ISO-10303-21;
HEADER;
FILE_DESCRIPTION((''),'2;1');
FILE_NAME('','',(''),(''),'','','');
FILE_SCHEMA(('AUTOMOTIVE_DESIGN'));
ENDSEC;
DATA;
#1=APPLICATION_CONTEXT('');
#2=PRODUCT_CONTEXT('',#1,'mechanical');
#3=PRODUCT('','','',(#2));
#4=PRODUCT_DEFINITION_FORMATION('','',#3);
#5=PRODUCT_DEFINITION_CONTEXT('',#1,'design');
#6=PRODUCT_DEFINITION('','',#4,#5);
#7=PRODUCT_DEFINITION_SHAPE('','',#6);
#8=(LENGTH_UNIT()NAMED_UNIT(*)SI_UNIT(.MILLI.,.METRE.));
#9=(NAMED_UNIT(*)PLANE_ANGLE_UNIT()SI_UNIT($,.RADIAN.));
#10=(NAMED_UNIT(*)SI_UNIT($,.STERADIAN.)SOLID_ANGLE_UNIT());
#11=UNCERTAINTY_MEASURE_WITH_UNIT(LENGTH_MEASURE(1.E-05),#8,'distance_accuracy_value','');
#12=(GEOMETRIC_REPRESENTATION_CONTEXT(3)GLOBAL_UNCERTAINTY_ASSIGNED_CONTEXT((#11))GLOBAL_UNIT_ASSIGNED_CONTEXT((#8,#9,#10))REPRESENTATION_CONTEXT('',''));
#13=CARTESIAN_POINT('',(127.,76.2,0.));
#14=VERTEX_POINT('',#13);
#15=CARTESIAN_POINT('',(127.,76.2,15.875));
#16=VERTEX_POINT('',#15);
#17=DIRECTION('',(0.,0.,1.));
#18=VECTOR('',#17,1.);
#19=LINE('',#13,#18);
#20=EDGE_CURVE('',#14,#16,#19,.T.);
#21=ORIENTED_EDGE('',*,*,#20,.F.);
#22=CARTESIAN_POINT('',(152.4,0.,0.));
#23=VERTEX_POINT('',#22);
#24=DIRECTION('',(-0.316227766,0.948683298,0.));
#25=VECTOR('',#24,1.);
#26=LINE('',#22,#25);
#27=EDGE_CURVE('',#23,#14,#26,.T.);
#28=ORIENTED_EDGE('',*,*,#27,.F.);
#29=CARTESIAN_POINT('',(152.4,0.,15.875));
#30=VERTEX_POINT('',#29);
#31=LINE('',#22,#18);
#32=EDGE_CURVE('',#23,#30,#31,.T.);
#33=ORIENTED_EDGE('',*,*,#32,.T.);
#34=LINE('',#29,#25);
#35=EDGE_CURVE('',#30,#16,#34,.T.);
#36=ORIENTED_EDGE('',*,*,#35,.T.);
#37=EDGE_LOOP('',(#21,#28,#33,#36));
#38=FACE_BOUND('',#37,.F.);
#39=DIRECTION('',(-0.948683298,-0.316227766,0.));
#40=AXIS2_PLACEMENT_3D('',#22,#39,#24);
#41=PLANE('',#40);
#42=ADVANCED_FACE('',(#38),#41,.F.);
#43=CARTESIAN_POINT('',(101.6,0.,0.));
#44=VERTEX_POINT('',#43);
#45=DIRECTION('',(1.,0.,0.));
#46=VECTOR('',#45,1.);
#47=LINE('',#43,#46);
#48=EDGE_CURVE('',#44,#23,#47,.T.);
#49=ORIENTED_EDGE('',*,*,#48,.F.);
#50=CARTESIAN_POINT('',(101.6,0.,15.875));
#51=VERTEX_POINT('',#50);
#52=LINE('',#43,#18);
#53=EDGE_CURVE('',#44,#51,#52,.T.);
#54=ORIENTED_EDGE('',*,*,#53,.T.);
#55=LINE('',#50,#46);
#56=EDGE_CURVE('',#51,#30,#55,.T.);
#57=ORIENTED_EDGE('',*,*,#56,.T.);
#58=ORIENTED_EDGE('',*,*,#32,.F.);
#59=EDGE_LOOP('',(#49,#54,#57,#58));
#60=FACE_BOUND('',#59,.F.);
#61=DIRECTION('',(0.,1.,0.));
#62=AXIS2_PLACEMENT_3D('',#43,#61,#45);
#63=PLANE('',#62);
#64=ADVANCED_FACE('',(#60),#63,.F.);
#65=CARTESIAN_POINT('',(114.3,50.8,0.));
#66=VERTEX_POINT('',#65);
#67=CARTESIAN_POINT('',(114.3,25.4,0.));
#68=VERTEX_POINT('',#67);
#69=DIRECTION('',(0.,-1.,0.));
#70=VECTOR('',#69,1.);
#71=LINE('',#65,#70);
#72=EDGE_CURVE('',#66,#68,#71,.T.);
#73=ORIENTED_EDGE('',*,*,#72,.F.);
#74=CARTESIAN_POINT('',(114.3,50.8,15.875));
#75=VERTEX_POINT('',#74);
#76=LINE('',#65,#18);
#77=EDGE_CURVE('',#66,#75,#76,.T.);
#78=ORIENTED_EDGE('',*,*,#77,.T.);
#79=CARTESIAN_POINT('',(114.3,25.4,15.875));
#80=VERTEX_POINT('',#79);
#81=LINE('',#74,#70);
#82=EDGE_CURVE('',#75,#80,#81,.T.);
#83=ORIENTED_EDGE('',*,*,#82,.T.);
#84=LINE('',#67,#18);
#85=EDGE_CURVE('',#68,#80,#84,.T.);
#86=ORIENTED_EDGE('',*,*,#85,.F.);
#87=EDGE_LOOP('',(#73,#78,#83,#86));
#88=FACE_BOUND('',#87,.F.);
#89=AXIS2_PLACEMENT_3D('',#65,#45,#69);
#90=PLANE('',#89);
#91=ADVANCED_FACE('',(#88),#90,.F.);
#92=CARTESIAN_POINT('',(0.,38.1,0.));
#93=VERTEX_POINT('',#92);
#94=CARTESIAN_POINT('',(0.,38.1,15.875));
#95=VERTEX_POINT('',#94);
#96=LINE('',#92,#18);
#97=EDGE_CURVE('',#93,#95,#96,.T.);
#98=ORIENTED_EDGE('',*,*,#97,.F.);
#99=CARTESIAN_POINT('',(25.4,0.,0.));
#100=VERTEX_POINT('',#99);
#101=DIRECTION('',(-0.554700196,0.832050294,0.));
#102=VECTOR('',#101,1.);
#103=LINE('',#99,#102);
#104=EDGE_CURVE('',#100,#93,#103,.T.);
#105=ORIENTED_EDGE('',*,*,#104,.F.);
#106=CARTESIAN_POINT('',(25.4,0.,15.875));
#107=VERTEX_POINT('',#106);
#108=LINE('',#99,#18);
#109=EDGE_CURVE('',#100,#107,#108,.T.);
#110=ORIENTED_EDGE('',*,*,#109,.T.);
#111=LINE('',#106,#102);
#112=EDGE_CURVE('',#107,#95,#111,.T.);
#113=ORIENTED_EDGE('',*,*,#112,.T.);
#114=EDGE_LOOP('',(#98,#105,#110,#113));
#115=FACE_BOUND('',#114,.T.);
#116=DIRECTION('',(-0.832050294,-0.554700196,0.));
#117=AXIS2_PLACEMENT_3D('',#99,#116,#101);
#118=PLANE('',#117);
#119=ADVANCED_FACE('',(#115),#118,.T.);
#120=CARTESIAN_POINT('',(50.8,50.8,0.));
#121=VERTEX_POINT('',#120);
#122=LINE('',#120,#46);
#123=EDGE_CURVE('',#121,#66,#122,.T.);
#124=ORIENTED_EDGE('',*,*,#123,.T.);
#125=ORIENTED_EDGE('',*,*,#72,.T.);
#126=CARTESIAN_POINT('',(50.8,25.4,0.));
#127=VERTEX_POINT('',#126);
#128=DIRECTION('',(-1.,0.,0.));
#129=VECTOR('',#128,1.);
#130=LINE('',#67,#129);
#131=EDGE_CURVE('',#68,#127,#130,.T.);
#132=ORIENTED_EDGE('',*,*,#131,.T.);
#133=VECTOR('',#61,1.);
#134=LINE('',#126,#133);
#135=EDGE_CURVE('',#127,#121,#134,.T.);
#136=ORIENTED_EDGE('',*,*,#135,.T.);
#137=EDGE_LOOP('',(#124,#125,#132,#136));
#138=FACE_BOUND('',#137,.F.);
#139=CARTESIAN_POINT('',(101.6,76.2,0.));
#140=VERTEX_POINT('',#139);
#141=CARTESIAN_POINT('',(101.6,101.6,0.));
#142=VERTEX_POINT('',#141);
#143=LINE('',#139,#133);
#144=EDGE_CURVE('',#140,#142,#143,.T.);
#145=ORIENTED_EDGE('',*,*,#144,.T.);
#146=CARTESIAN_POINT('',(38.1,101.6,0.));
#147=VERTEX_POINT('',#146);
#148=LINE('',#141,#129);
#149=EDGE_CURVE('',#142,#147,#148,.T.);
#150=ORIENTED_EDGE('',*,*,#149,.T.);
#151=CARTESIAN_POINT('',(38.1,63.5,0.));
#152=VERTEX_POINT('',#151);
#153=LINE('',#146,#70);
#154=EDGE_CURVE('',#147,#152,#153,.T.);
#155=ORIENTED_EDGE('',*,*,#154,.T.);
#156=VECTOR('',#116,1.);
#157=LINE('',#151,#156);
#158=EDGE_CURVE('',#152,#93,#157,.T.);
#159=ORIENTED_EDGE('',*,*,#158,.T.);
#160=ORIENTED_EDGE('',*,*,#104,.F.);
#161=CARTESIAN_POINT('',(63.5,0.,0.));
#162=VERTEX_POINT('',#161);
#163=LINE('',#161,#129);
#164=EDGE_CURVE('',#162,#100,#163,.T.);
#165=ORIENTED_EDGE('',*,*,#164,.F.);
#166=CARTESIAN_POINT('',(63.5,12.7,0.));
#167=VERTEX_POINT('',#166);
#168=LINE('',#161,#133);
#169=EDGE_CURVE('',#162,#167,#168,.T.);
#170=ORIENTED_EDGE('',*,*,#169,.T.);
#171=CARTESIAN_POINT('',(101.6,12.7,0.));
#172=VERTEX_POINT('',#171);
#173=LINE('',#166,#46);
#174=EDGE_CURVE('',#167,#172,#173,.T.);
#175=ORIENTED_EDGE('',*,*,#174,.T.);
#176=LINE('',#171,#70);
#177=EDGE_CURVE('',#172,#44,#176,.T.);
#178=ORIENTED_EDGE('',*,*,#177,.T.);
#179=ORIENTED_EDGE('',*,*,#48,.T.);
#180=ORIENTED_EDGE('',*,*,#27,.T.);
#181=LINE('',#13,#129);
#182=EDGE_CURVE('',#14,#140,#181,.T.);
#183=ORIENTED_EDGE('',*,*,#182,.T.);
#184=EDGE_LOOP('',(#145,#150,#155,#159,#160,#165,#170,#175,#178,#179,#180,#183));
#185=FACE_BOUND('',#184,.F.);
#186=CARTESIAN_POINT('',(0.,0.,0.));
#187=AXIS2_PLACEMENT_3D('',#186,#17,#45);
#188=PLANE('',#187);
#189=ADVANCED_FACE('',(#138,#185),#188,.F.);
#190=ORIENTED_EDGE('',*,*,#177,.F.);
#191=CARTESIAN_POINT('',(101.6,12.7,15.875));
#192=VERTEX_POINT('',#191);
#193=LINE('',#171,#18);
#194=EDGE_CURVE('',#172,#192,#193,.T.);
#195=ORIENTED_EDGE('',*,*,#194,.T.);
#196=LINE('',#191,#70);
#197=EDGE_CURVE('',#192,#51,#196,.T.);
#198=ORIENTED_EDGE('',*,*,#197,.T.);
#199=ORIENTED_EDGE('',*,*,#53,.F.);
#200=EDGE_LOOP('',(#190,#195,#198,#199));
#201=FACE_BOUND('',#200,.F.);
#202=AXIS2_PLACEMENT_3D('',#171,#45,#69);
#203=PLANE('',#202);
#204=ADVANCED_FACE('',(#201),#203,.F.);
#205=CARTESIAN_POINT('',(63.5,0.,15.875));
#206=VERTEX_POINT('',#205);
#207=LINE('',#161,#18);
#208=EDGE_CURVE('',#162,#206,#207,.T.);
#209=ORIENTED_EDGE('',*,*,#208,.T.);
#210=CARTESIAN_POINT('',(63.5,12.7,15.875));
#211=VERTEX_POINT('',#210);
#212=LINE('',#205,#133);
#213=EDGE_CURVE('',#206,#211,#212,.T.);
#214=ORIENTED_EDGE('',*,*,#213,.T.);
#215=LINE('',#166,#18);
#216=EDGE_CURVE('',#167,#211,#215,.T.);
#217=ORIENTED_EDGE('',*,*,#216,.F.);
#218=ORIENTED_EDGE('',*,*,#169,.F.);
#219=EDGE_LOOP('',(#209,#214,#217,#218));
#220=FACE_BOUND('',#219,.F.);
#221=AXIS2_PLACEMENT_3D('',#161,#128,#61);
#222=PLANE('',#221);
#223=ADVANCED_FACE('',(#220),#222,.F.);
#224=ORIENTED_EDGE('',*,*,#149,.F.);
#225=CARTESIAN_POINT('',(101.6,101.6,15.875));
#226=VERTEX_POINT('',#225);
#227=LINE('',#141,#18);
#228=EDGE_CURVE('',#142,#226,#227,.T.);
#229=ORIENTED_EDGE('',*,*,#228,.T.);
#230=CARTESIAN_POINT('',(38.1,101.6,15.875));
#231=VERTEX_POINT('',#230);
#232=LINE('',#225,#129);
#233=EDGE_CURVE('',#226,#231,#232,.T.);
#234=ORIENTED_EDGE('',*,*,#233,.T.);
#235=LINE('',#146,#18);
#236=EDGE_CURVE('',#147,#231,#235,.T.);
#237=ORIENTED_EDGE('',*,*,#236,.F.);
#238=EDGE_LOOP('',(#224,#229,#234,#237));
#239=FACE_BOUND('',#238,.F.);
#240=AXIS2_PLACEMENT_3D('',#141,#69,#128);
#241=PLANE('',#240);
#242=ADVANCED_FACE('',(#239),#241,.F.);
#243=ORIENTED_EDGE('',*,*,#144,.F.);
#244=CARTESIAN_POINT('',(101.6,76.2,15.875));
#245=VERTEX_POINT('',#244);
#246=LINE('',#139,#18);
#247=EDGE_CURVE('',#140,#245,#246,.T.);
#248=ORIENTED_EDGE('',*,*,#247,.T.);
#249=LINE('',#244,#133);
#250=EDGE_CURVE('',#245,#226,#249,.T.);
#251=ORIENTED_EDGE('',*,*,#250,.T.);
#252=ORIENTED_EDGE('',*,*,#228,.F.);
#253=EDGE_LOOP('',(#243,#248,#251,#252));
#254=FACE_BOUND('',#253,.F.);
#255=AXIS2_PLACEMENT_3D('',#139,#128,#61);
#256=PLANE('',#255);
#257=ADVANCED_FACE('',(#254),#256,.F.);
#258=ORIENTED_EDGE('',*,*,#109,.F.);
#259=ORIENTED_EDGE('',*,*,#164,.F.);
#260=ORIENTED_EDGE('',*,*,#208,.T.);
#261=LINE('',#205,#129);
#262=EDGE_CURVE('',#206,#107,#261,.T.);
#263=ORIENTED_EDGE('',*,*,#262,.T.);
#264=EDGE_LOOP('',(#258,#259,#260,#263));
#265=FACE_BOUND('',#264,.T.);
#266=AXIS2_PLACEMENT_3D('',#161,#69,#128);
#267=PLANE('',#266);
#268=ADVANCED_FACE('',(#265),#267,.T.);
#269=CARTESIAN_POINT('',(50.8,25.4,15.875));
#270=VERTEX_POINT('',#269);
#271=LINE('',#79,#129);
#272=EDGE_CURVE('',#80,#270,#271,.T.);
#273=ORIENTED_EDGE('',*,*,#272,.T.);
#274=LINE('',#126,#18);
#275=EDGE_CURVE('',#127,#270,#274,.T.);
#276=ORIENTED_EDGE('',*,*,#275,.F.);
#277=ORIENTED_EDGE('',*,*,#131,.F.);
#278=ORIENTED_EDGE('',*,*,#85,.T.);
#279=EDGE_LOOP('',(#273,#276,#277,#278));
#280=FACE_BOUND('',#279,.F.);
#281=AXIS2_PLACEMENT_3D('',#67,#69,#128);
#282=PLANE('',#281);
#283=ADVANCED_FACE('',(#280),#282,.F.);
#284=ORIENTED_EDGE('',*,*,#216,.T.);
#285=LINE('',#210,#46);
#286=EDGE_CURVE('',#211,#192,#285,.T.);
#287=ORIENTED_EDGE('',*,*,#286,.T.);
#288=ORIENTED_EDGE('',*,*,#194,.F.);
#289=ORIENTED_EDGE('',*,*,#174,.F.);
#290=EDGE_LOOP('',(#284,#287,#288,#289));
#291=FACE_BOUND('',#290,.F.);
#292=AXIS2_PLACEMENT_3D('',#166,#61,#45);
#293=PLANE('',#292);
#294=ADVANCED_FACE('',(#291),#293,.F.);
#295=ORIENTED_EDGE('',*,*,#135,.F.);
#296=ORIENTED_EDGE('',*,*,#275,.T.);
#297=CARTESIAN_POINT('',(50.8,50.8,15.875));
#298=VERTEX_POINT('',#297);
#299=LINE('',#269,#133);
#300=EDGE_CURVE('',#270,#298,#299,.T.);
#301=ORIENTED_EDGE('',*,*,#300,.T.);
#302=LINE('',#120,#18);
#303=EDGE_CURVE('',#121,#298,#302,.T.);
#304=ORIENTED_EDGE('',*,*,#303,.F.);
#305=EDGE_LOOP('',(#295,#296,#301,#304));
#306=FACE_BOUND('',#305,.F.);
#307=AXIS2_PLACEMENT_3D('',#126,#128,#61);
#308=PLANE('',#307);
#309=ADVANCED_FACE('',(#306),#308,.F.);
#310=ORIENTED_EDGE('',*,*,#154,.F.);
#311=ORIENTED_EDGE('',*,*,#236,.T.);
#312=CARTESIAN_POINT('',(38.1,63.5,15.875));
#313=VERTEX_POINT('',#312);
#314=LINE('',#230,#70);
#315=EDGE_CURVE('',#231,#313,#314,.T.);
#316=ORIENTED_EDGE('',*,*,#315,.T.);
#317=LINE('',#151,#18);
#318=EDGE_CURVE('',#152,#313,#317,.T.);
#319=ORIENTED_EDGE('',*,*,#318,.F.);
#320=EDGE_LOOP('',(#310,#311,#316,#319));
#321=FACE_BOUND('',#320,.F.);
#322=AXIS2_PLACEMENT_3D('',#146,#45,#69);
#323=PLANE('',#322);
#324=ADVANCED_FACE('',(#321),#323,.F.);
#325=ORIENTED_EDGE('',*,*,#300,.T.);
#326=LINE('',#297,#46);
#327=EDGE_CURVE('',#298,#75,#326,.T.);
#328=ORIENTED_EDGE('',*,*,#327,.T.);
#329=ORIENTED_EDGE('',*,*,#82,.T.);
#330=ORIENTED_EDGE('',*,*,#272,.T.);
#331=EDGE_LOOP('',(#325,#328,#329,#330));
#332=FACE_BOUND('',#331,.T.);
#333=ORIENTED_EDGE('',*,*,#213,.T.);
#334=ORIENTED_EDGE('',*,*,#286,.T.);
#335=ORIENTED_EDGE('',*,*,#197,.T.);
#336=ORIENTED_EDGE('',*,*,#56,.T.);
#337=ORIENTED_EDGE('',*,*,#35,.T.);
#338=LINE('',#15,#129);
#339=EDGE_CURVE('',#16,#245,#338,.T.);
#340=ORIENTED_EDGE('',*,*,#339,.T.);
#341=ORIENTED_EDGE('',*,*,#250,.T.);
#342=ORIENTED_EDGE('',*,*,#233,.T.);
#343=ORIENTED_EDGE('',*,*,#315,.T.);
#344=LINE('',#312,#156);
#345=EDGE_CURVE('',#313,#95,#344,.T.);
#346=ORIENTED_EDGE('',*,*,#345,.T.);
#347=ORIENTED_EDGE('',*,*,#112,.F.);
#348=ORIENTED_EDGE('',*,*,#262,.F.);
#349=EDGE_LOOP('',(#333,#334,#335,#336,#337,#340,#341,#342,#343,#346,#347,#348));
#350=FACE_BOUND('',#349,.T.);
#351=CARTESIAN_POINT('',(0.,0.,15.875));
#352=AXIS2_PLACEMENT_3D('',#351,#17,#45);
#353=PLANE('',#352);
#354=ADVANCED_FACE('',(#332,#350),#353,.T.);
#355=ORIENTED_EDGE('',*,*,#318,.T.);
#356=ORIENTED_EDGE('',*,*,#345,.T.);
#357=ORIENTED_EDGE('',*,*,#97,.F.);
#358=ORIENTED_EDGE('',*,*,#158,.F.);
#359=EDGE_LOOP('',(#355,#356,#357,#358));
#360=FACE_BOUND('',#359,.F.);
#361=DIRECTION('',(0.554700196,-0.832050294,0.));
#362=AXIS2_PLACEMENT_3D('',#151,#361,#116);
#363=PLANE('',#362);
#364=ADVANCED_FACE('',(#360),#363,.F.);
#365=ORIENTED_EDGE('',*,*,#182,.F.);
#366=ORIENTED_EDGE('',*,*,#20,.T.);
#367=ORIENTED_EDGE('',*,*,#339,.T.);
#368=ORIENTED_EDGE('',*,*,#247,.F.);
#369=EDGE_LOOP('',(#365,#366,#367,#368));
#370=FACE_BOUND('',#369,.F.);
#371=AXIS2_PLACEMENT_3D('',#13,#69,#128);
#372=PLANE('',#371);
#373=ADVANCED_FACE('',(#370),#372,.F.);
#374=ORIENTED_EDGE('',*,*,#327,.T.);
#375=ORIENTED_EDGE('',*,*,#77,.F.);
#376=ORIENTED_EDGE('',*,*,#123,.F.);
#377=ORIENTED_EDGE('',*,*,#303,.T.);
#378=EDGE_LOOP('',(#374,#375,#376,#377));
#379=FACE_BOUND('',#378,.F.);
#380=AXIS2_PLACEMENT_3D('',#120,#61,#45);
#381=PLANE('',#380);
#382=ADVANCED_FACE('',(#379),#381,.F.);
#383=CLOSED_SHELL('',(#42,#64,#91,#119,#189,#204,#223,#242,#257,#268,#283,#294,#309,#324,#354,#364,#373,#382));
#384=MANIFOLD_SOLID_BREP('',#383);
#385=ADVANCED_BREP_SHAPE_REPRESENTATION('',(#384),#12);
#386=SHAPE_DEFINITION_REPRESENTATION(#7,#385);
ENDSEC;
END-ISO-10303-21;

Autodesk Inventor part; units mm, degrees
ref_plane "YZ Plane" through (0, 0, 0) normal (1, 0, 0) x (0, 1, 0)
ref_plane "XZ Plane" through (0, 0, 0) normal (0, 1, 0) x (-1, 0, 0)
ref_plane "XY Plane" through (0, 0, 0) normal (0, 0, 1) x (1, 0, 0)
sketch "Sketch1" plane through (0, 0, 0) normal (0, 0, 1) x (1, 0, 0)
  line L0 (25.4, 0) -> (0, 38.1)
  line L1 (63.5, 0) -> (25.4, 0)
  line L2 (63.5, 0) -> (63.5, 12.7)
  line L3 (63.5, 12.7) -> (101.6, 12.7)
  line L4 (101.6, 12.7) -> (101.6, 0)
  line L5 (50.8, 25.4) -> (50.8, 50.8)
  line L6 (50.8, 50.8) -> (114.3, 50.8)
  line L7 (114.3, 50.8) -> (114.3, 25.4)
  line L8 (114.3, 25.4) -> (50.8, 25.4)
  line L9 (101.6, 0) -> (152.4, 0)
  line L10 (152.4, 0) -> (127, 76.2)
  line L11 (127, 76.2) -> (101.6, 76.2)
  line L12 (101.6, 76.2) -> (101.6, 101.6)
  line L13 (101.6, 101.6) -> (38.1, 101.6)
  line L14 (38.1, 101.6) -> (38.1, 63.5)
  line L15 (38.1, 63.5) -> (0, 38.1)
  point P0 (0, 0)
extrude "Extrusion1" add sketch "Sketch1" along normal blind 15.875
properties part number "P2-2"
